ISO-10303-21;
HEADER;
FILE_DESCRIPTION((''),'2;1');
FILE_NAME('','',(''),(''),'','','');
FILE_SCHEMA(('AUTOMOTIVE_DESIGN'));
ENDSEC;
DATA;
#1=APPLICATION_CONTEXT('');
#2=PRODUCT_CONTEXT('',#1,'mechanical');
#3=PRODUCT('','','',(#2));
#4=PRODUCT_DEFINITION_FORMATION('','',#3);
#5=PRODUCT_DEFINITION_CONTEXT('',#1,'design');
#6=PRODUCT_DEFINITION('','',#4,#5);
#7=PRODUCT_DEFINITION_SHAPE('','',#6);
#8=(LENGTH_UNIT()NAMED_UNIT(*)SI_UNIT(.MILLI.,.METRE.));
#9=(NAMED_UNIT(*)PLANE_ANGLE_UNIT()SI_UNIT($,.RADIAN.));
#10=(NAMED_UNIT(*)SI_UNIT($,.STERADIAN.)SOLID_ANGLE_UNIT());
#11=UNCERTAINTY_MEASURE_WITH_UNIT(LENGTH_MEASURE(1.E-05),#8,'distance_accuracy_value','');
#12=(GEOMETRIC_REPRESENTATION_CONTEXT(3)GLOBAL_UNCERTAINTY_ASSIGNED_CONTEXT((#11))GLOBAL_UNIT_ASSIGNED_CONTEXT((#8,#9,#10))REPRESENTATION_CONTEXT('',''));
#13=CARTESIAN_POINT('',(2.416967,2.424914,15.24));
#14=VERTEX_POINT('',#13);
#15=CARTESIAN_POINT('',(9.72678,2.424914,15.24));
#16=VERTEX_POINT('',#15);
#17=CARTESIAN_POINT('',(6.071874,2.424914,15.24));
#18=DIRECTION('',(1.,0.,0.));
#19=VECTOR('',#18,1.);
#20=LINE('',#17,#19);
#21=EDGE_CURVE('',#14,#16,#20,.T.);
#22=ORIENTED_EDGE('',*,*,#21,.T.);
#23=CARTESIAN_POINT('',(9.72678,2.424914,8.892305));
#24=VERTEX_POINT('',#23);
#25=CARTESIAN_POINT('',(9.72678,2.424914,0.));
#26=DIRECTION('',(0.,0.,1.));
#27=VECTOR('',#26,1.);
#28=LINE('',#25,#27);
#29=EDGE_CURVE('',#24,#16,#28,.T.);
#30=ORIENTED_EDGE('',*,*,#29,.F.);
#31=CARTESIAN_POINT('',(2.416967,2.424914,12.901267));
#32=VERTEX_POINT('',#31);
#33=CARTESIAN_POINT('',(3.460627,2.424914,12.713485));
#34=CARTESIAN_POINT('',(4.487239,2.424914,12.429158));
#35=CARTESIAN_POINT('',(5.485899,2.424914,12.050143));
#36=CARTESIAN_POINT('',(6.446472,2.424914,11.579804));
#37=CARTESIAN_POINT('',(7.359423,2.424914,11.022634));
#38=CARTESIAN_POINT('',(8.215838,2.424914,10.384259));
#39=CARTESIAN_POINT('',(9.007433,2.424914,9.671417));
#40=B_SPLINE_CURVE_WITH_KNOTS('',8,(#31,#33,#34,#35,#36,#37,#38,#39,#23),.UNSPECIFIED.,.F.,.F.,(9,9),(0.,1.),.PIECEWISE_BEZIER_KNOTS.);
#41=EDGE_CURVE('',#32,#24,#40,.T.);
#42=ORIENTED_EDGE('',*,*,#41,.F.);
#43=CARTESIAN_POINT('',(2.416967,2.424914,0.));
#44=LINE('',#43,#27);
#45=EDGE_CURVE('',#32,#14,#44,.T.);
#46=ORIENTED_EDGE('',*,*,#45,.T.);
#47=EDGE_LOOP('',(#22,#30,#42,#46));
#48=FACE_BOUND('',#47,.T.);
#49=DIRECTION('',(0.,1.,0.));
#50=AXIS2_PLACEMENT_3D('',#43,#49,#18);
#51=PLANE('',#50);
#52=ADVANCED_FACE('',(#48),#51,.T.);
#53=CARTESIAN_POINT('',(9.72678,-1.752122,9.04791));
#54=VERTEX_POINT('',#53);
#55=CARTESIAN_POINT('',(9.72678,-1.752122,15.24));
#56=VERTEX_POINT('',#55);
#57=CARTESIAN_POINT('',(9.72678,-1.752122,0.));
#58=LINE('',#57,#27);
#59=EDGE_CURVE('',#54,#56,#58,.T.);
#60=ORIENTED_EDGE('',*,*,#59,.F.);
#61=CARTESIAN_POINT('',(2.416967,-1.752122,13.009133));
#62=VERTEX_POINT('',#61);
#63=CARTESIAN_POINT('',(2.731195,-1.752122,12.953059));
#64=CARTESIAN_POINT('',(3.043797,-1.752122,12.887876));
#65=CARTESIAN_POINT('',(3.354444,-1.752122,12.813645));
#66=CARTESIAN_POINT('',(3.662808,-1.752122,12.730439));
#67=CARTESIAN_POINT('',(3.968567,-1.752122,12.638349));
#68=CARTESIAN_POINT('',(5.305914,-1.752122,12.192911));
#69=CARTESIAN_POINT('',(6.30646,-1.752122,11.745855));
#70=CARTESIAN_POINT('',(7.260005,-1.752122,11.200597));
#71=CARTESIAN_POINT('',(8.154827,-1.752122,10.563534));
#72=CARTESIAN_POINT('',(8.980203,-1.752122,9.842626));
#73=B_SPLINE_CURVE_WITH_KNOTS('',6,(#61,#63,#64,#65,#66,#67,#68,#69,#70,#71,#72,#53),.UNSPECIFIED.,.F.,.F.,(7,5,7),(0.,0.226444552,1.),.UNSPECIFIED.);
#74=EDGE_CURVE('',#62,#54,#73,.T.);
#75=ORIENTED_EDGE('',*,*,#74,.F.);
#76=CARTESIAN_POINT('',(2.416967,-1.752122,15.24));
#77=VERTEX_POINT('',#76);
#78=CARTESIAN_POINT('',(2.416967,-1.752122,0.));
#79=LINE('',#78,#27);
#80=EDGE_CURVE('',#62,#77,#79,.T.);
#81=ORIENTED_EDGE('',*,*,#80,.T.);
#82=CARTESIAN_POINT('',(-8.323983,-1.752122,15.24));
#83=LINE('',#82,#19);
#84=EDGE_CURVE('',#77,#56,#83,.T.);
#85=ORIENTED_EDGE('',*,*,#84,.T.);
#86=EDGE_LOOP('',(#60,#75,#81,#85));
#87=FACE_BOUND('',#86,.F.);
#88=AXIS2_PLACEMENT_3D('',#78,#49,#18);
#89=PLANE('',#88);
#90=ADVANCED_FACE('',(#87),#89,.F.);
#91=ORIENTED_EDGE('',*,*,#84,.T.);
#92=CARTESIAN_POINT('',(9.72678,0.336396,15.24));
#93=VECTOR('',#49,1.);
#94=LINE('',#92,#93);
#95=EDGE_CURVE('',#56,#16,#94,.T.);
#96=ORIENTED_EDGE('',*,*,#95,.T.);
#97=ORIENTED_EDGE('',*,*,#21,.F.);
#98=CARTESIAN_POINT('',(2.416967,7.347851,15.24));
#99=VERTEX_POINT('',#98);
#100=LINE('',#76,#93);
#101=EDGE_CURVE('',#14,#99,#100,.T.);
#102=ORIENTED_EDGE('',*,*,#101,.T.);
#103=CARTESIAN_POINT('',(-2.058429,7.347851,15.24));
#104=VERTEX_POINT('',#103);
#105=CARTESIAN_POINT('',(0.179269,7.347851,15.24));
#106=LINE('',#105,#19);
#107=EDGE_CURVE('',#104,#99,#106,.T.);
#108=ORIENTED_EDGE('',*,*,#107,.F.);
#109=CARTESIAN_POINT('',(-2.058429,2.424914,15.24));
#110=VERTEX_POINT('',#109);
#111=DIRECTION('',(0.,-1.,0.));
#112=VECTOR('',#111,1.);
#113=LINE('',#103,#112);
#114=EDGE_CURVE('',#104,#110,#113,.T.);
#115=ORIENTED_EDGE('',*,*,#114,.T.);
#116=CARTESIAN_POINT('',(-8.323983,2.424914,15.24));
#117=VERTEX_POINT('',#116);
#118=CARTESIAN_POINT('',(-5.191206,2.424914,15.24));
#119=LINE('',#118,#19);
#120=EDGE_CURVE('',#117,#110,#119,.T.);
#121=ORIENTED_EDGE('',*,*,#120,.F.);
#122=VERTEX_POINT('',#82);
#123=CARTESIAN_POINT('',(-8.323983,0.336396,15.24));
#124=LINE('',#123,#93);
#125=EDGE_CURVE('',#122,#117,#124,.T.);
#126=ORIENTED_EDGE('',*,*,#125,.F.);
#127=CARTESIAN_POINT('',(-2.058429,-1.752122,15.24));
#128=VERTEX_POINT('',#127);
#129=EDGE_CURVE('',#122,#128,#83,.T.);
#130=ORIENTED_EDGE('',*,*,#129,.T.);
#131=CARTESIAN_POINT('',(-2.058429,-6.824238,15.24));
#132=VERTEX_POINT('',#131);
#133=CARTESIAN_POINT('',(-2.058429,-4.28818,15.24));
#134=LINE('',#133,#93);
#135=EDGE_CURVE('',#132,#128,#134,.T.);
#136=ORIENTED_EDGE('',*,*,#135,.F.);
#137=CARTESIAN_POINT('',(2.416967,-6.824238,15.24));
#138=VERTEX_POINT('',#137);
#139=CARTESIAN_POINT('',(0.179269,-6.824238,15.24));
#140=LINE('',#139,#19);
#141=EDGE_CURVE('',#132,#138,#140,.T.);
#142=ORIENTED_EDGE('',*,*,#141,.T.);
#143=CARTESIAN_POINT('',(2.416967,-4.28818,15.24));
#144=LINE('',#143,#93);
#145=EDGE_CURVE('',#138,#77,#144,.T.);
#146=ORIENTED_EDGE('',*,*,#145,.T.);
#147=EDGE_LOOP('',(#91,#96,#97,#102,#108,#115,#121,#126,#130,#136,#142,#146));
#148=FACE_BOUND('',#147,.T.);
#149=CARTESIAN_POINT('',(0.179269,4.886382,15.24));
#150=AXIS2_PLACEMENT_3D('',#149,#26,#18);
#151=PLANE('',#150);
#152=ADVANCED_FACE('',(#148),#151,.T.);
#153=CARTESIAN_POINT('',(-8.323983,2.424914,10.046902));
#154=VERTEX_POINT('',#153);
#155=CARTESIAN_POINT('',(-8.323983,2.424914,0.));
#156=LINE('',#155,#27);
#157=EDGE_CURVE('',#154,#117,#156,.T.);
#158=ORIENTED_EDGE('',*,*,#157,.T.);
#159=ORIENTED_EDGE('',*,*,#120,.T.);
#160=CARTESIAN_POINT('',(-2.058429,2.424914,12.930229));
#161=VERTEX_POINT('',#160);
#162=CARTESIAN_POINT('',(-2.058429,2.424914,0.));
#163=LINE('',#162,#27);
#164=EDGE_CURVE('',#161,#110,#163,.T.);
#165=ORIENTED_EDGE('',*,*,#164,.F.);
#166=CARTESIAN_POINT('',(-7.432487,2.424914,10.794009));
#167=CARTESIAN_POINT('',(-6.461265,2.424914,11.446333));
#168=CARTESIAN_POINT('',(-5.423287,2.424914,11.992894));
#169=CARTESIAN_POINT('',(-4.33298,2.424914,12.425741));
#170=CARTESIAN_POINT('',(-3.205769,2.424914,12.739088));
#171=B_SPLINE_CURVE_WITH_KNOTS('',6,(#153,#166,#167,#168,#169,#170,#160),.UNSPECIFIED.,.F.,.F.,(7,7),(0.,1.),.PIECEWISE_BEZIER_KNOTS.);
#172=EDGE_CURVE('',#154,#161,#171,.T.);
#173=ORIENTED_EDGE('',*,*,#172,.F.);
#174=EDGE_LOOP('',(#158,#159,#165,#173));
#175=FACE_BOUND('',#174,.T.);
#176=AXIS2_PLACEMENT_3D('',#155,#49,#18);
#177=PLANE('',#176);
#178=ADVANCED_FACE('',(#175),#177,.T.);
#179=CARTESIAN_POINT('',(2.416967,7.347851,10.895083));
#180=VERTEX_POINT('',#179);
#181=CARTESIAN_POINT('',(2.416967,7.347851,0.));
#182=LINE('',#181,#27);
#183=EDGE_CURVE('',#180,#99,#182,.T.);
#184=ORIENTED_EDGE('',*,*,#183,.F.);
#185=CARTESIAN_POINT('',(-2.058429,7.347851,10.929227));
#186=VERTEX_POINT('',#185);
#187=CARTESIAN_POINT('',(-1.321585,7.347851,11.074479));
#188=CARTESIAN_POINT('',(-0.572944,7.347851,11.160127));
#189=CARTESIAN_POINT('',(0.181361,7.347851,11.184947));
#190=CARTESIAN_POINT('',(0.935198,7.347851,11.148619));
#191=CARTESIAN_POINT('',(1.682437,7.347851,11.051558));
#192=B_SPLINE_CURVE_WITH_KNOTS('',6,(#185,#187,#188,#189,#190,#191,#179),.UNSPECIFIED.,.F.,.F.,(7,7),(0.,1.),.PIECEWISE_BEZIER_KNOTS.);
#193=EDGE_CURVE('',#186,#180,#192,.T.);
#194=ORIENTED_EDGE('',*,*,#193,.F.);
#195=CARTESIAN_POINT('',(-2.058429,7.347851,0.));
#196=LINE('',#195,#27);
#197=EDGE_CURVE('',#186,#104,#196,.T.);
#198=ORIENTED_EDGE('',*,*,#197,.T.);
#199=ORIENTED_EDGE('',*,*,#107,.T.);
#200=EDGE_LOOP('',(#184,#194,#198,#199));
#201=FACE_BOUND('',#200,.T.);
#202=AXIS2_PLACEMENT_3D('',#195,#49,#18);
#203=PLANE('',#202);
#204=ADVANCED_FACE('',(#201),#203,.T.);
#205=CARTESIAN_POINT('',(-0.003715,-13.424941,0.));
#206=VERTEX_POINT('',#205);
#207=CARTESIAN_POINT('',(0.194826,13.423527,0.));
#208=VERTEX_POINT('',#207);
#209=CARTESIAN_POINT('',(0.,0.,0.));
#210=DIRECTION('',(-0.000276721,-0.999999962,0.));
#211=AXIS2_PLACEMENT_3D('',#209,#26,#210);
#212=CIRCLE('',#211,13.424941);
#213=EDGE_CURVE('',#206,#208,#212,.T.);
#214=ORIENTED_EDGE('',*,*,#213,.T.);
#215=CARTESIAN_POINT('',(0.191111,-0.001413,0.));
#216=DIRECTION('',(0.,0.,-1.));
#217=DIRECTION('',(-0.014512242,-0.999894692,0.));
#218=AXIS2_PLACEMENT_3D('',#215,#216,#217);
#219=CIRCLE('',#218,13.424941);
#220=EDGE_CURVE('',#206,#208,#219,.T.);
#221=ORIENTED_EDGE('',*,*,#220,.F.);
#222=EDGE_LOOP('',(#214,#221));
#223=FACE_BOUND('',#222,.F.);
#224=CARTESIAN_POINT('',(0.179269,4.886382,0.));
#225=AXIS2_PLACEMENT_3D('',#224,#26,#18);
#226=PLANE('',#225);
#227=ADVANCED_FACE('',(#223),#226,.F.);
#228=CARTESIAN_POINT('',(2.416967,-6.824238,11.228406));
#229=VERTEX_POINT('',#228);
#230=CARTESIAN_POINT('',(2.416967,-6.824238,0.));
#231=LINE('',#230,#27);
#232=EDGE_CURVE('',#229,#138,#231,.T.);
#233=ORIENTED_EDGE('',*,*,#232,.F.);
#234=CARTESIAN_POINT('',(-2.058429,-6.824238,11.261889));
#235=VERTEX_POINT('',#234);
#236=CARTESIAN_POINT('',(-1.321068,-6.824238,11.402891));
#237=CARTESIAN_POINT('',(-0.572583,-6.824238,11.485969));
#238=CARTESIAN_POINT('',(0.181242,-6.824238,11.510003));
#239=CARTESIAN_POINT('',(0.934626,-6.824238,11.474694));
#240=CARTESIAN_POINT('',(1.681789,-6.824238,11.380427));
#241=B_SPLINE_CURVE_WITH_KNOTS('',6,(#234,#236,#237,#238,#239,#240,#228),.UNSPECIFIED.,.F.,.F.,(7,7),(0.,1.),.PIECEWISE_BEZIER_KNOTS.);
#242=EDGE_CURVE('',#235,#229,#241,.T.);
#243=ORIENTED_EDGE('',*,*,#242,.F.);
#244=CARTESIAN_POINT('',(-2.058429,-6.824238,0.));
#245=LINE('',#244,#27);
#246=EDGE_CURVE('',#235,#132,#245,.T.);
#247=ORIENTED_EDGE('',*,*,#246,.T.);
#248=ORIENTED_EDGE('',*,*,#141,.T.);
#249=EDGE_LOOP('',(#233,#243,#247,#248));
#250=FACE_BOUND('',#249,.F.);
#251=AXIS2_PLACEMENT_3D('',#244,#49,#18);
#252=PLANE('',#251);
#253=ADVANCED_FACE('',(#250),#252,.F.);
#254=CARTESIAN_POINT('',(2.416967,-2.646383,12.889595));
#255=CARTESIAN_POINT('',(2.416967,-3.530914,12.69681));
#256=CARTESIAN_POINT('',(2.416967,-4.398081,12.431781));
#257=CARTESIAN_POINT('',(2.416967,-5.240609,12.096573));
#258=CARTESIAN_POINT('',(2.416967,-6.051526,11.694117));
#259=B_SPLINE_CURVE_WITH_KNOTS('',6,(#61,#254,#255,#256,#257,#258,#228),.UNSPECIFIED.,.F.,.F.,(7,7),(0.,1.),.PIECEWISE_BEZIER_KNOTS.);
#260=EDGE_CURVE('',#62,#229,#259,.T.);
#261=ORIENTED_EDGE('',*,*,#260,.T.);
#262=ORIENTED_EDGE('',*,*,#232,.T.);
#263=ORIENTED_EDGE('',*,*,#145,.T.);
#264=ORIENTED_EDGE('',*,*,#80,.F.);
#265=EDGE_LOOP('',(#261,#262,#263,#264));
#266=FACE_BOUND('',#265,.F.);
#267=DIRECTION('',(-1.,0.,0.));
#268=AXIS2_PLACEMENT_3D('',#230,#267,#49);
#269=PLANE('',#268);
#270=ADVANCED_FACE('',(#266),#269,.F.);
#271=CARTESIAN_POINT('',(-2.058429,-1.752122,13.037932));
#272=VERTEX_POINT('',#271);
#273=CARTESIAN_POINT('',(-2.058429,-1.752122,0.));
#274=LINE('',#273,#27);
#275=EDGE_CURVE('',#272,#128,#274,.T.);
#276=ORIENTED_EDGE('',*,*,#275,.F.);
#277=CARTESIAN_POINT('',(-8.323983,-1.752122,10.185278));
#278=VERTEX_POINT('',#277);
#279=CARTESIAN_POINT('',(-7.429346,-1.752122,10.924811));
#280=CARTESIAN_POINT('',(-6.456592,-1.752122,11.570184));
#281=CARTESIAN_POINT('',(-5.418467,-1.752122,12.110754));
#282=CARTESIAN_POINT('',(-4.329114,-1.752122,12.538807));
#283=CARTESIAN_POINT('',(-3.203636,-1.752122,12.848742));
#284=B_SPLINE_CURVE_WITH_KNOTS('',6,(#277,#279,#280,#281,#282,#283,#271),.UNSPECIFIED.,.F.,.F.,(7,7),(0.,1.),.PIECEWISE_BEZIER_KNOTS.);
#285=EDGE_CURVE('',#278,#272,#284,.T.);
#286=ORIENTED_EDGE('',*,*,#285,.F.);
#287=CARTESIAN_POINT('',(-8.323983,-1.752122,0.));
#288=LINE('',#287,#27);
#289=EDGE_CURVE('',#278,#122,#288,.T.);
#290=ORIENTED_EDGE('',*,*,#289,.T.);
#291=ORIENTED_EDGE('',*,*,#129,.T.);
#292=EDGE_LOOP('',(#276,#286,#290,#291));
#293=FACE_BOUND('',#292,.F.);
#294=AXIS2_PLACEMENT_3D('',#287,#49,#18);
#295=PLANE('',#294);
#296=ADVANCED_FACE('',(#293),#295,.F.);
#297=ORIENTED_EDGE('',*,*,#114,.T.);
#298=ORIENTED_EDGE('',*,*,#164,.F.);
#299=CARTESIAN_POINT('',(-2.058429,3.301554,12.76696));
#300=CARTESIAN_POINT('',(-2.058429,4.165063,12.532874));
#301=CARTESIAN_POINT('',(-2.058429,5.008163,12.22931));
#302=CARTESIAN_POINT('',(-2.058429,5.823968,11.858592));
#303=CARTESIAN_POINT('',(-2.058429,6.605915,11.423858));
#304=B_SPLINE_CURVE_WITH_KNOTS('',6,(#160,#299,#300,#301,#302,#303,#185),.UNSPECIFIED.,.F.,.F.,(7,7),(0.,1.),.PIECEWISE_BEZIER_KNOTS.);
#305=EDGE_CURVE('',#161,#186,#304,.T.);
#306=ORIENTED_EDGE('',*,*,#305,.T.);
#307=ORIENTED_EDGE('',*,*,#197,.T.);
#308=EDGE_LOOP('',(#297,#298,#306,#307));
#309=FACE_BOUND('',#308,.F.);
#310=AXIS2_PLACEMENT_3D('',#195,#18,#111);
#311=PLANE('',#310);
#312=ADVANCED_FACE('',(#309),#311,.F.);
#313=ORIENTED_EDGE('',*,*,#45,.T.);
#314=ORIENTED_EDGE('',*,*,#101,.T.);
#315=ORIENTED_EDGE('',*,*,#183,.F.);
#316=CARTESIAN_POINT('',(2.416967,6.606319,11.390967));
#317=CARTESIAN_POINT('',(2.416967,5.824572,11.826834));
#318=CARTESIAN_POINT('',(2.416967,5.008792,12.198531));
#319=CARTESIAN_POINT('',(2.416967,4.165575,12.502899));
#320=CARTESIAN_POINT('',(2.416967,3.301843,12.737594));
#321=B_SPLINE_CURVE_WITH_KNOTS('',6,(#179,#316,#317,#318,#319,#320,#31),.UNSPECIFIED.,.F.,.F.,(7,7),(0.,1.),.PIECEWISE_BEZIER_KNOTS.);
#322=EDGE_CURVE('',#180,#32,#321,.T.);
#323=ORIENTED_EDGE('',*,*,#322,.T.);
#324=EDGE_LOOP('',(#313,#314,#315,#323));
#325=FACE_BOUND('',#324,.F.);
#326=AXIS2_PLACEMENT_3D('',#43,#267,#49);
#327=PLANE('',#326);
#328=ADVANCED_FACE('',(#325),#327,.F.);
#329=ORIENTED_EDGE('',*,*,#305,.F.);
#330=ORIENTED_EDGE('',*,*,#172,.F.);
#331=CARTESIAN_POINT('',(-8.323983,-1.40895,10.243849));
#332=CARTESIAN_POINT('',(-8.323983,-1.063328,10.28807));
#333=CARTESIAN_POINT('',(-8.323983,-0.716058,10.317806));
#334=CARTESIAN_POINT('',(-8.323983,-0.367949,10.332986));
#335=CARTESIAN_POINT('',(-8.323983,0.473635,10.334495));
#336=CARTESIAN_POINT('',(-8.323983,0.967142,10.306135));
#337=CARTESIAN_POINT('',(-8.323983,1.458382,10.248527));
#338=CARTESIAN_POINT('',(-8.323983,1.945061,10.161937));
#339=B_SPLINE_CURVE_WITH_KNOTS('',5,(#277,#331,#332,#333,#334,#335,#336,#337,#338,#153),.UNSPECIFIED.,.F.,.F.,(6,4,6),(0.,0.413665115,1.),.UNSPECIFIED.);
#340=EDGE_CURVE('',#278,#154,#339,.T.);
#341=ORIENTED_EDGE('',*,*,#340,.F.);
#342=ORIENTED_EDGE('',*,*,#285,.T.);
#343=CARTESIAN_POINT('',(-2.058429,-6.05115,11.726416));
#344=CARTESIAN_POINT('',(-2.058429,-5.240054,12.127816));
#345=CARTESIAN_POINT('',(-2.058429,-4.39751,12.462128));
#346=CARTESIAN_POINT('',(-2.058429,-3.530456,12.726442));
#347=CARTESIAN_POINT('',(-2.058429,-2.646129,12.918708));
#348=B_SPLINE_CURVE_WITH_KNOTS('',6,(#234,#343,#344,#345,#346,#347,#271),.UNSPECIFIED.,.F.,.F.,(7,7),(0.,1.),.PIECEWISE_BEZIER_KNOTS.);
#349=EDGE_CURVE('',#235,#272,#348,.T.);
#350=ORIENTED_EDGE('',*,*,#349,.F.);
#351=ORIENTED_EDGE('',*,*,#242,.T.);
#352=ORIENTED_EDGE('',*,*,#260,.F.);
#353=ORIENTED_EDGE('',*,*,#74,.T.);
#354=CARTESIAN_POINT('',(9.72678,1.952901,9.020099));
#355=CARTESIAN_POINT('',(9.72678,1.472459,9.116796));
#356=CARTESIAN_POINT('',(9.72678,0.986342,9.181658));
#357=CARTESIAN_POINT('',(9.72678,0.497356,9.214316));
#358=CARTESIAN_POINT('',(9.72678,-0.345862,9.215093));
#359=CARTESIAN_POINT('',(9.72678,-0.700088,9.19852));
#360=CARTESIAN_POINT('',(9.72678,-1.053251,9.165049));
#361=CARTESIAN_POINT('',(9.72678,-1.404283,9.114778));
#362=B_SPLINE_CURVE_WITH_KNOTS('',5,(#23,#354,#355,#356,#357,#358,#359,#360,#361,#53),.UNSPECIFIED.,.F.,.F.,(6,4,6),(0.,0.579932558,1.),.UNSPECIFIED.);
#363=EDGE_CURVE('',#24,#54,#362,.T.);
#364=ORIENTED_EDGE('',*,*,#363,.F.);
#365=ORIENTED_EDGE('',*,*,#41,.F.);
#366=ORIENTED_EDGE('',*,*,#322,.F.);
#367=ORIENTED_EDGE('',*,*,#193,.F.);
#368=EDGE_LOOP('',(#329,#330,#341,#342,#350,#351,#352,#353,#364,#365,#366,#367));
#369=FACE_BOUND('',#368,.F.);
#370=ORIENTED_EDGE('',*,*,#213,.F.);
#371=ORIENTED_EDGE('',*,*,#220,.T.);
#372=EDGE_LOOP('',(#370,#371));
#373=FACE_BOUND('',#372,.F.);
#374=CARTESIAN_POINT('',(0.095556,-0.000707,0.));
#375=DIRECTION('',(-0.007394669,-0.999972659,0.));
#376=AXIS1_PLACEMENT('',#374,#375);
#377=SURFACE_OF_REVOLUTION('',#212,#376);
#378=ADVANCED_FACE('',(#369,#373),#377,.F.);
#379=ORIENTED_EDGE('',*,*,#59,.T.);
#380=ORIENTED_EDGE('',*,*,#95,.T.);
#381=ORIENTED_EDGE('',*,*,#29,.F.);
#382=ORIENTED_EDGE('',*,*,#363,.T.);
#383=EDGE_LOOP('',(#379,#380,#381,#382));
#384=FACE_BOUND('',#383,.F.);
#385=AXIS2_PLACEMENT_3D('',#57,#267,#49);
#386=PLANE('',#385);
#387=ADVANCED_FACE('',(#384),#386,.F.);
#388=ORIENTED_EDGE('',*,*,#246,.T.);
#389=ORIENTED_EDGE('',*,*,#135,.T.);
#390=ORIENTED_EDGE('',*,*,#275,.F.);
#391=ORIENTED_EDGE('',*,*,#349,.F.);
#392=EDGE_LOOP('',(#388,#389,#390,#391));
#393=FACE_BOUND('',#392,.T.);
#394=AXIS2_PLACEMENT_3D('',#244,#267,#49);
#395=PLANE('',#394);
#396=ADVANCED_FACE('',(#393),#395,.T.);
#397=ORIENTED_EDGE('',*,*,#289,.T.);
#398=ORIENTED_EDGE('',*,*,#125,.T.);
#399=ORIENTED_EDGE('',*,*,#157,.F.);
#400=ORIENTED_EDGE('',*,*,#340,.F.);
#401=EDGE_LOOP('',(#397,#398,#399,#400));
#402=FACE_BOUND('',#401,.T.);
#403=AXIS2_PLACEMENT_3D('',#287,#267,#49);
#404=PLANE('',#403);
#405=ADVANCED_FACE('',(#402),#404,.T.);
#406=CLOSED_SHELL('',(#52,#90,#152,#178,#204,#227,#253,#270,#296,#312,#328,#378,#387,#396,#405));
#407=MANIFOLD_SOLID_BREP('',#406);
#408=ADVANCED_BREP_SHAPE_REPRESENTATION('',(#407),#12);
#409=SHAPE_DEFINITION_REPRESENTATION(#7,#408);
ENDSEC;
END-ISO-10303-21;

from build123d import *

# Parameters (mm, degrees)
F1_ANGLE = 180
F2_W     = 4.4753961265
F2_H     = 4.9229362048
F2_H_2   = 4.1770362295
F2_W_2   = 6.2655545771
F2_W_3   = 7.3098130524
F2_H_3   = 5.0721159205
F3_DEPTH = 15.24


with BuildPart() as f1:
    # F0 (on Top) → F1 (revolve)
    with BuildSketch(Plane.XY):
        with BuildLine():
            Line((0.1948259916, 13.4235274294), (-0.0037149697, -13.4249406708))
            ThreePointArc((-0.0037149697, -13.4249406708), (13.4245741343, -0.0992729955), (0.1948259916, 13.4235274294))
        make_face()
    revolve(axis=Axis((0.0955555109, -0.0007066207, 0), (-0.0073946689, -0.9999726591, 0)), revolution_arc=F1_ANGLE)

    # F2 (on Top) → F3 (join)
    with BuildSketch(Plane.XY):
        with Locations((0.1792693511, 4.8863824923)):
            Rectangle(F2_W, F2_H)
        with Locations((0.1792693511, 0.3363962751)):
            Rectangle(F2_W, F2_H_2)
        with Locations((-5.1912060007, 0.3363962751)):
            Rectangle(F2_W_2, F2_H_2)
        with Locations((6.0718739405, 0.3363962751)):
            Rectangle(F2_W_3, F2_H_2)
        with Locations((0.1792693511, -4.2881797999)):
            Rectangle(F2_W, F2_H_3)
    extrude(amount=F3_DEPTH)


solid = f1.part
